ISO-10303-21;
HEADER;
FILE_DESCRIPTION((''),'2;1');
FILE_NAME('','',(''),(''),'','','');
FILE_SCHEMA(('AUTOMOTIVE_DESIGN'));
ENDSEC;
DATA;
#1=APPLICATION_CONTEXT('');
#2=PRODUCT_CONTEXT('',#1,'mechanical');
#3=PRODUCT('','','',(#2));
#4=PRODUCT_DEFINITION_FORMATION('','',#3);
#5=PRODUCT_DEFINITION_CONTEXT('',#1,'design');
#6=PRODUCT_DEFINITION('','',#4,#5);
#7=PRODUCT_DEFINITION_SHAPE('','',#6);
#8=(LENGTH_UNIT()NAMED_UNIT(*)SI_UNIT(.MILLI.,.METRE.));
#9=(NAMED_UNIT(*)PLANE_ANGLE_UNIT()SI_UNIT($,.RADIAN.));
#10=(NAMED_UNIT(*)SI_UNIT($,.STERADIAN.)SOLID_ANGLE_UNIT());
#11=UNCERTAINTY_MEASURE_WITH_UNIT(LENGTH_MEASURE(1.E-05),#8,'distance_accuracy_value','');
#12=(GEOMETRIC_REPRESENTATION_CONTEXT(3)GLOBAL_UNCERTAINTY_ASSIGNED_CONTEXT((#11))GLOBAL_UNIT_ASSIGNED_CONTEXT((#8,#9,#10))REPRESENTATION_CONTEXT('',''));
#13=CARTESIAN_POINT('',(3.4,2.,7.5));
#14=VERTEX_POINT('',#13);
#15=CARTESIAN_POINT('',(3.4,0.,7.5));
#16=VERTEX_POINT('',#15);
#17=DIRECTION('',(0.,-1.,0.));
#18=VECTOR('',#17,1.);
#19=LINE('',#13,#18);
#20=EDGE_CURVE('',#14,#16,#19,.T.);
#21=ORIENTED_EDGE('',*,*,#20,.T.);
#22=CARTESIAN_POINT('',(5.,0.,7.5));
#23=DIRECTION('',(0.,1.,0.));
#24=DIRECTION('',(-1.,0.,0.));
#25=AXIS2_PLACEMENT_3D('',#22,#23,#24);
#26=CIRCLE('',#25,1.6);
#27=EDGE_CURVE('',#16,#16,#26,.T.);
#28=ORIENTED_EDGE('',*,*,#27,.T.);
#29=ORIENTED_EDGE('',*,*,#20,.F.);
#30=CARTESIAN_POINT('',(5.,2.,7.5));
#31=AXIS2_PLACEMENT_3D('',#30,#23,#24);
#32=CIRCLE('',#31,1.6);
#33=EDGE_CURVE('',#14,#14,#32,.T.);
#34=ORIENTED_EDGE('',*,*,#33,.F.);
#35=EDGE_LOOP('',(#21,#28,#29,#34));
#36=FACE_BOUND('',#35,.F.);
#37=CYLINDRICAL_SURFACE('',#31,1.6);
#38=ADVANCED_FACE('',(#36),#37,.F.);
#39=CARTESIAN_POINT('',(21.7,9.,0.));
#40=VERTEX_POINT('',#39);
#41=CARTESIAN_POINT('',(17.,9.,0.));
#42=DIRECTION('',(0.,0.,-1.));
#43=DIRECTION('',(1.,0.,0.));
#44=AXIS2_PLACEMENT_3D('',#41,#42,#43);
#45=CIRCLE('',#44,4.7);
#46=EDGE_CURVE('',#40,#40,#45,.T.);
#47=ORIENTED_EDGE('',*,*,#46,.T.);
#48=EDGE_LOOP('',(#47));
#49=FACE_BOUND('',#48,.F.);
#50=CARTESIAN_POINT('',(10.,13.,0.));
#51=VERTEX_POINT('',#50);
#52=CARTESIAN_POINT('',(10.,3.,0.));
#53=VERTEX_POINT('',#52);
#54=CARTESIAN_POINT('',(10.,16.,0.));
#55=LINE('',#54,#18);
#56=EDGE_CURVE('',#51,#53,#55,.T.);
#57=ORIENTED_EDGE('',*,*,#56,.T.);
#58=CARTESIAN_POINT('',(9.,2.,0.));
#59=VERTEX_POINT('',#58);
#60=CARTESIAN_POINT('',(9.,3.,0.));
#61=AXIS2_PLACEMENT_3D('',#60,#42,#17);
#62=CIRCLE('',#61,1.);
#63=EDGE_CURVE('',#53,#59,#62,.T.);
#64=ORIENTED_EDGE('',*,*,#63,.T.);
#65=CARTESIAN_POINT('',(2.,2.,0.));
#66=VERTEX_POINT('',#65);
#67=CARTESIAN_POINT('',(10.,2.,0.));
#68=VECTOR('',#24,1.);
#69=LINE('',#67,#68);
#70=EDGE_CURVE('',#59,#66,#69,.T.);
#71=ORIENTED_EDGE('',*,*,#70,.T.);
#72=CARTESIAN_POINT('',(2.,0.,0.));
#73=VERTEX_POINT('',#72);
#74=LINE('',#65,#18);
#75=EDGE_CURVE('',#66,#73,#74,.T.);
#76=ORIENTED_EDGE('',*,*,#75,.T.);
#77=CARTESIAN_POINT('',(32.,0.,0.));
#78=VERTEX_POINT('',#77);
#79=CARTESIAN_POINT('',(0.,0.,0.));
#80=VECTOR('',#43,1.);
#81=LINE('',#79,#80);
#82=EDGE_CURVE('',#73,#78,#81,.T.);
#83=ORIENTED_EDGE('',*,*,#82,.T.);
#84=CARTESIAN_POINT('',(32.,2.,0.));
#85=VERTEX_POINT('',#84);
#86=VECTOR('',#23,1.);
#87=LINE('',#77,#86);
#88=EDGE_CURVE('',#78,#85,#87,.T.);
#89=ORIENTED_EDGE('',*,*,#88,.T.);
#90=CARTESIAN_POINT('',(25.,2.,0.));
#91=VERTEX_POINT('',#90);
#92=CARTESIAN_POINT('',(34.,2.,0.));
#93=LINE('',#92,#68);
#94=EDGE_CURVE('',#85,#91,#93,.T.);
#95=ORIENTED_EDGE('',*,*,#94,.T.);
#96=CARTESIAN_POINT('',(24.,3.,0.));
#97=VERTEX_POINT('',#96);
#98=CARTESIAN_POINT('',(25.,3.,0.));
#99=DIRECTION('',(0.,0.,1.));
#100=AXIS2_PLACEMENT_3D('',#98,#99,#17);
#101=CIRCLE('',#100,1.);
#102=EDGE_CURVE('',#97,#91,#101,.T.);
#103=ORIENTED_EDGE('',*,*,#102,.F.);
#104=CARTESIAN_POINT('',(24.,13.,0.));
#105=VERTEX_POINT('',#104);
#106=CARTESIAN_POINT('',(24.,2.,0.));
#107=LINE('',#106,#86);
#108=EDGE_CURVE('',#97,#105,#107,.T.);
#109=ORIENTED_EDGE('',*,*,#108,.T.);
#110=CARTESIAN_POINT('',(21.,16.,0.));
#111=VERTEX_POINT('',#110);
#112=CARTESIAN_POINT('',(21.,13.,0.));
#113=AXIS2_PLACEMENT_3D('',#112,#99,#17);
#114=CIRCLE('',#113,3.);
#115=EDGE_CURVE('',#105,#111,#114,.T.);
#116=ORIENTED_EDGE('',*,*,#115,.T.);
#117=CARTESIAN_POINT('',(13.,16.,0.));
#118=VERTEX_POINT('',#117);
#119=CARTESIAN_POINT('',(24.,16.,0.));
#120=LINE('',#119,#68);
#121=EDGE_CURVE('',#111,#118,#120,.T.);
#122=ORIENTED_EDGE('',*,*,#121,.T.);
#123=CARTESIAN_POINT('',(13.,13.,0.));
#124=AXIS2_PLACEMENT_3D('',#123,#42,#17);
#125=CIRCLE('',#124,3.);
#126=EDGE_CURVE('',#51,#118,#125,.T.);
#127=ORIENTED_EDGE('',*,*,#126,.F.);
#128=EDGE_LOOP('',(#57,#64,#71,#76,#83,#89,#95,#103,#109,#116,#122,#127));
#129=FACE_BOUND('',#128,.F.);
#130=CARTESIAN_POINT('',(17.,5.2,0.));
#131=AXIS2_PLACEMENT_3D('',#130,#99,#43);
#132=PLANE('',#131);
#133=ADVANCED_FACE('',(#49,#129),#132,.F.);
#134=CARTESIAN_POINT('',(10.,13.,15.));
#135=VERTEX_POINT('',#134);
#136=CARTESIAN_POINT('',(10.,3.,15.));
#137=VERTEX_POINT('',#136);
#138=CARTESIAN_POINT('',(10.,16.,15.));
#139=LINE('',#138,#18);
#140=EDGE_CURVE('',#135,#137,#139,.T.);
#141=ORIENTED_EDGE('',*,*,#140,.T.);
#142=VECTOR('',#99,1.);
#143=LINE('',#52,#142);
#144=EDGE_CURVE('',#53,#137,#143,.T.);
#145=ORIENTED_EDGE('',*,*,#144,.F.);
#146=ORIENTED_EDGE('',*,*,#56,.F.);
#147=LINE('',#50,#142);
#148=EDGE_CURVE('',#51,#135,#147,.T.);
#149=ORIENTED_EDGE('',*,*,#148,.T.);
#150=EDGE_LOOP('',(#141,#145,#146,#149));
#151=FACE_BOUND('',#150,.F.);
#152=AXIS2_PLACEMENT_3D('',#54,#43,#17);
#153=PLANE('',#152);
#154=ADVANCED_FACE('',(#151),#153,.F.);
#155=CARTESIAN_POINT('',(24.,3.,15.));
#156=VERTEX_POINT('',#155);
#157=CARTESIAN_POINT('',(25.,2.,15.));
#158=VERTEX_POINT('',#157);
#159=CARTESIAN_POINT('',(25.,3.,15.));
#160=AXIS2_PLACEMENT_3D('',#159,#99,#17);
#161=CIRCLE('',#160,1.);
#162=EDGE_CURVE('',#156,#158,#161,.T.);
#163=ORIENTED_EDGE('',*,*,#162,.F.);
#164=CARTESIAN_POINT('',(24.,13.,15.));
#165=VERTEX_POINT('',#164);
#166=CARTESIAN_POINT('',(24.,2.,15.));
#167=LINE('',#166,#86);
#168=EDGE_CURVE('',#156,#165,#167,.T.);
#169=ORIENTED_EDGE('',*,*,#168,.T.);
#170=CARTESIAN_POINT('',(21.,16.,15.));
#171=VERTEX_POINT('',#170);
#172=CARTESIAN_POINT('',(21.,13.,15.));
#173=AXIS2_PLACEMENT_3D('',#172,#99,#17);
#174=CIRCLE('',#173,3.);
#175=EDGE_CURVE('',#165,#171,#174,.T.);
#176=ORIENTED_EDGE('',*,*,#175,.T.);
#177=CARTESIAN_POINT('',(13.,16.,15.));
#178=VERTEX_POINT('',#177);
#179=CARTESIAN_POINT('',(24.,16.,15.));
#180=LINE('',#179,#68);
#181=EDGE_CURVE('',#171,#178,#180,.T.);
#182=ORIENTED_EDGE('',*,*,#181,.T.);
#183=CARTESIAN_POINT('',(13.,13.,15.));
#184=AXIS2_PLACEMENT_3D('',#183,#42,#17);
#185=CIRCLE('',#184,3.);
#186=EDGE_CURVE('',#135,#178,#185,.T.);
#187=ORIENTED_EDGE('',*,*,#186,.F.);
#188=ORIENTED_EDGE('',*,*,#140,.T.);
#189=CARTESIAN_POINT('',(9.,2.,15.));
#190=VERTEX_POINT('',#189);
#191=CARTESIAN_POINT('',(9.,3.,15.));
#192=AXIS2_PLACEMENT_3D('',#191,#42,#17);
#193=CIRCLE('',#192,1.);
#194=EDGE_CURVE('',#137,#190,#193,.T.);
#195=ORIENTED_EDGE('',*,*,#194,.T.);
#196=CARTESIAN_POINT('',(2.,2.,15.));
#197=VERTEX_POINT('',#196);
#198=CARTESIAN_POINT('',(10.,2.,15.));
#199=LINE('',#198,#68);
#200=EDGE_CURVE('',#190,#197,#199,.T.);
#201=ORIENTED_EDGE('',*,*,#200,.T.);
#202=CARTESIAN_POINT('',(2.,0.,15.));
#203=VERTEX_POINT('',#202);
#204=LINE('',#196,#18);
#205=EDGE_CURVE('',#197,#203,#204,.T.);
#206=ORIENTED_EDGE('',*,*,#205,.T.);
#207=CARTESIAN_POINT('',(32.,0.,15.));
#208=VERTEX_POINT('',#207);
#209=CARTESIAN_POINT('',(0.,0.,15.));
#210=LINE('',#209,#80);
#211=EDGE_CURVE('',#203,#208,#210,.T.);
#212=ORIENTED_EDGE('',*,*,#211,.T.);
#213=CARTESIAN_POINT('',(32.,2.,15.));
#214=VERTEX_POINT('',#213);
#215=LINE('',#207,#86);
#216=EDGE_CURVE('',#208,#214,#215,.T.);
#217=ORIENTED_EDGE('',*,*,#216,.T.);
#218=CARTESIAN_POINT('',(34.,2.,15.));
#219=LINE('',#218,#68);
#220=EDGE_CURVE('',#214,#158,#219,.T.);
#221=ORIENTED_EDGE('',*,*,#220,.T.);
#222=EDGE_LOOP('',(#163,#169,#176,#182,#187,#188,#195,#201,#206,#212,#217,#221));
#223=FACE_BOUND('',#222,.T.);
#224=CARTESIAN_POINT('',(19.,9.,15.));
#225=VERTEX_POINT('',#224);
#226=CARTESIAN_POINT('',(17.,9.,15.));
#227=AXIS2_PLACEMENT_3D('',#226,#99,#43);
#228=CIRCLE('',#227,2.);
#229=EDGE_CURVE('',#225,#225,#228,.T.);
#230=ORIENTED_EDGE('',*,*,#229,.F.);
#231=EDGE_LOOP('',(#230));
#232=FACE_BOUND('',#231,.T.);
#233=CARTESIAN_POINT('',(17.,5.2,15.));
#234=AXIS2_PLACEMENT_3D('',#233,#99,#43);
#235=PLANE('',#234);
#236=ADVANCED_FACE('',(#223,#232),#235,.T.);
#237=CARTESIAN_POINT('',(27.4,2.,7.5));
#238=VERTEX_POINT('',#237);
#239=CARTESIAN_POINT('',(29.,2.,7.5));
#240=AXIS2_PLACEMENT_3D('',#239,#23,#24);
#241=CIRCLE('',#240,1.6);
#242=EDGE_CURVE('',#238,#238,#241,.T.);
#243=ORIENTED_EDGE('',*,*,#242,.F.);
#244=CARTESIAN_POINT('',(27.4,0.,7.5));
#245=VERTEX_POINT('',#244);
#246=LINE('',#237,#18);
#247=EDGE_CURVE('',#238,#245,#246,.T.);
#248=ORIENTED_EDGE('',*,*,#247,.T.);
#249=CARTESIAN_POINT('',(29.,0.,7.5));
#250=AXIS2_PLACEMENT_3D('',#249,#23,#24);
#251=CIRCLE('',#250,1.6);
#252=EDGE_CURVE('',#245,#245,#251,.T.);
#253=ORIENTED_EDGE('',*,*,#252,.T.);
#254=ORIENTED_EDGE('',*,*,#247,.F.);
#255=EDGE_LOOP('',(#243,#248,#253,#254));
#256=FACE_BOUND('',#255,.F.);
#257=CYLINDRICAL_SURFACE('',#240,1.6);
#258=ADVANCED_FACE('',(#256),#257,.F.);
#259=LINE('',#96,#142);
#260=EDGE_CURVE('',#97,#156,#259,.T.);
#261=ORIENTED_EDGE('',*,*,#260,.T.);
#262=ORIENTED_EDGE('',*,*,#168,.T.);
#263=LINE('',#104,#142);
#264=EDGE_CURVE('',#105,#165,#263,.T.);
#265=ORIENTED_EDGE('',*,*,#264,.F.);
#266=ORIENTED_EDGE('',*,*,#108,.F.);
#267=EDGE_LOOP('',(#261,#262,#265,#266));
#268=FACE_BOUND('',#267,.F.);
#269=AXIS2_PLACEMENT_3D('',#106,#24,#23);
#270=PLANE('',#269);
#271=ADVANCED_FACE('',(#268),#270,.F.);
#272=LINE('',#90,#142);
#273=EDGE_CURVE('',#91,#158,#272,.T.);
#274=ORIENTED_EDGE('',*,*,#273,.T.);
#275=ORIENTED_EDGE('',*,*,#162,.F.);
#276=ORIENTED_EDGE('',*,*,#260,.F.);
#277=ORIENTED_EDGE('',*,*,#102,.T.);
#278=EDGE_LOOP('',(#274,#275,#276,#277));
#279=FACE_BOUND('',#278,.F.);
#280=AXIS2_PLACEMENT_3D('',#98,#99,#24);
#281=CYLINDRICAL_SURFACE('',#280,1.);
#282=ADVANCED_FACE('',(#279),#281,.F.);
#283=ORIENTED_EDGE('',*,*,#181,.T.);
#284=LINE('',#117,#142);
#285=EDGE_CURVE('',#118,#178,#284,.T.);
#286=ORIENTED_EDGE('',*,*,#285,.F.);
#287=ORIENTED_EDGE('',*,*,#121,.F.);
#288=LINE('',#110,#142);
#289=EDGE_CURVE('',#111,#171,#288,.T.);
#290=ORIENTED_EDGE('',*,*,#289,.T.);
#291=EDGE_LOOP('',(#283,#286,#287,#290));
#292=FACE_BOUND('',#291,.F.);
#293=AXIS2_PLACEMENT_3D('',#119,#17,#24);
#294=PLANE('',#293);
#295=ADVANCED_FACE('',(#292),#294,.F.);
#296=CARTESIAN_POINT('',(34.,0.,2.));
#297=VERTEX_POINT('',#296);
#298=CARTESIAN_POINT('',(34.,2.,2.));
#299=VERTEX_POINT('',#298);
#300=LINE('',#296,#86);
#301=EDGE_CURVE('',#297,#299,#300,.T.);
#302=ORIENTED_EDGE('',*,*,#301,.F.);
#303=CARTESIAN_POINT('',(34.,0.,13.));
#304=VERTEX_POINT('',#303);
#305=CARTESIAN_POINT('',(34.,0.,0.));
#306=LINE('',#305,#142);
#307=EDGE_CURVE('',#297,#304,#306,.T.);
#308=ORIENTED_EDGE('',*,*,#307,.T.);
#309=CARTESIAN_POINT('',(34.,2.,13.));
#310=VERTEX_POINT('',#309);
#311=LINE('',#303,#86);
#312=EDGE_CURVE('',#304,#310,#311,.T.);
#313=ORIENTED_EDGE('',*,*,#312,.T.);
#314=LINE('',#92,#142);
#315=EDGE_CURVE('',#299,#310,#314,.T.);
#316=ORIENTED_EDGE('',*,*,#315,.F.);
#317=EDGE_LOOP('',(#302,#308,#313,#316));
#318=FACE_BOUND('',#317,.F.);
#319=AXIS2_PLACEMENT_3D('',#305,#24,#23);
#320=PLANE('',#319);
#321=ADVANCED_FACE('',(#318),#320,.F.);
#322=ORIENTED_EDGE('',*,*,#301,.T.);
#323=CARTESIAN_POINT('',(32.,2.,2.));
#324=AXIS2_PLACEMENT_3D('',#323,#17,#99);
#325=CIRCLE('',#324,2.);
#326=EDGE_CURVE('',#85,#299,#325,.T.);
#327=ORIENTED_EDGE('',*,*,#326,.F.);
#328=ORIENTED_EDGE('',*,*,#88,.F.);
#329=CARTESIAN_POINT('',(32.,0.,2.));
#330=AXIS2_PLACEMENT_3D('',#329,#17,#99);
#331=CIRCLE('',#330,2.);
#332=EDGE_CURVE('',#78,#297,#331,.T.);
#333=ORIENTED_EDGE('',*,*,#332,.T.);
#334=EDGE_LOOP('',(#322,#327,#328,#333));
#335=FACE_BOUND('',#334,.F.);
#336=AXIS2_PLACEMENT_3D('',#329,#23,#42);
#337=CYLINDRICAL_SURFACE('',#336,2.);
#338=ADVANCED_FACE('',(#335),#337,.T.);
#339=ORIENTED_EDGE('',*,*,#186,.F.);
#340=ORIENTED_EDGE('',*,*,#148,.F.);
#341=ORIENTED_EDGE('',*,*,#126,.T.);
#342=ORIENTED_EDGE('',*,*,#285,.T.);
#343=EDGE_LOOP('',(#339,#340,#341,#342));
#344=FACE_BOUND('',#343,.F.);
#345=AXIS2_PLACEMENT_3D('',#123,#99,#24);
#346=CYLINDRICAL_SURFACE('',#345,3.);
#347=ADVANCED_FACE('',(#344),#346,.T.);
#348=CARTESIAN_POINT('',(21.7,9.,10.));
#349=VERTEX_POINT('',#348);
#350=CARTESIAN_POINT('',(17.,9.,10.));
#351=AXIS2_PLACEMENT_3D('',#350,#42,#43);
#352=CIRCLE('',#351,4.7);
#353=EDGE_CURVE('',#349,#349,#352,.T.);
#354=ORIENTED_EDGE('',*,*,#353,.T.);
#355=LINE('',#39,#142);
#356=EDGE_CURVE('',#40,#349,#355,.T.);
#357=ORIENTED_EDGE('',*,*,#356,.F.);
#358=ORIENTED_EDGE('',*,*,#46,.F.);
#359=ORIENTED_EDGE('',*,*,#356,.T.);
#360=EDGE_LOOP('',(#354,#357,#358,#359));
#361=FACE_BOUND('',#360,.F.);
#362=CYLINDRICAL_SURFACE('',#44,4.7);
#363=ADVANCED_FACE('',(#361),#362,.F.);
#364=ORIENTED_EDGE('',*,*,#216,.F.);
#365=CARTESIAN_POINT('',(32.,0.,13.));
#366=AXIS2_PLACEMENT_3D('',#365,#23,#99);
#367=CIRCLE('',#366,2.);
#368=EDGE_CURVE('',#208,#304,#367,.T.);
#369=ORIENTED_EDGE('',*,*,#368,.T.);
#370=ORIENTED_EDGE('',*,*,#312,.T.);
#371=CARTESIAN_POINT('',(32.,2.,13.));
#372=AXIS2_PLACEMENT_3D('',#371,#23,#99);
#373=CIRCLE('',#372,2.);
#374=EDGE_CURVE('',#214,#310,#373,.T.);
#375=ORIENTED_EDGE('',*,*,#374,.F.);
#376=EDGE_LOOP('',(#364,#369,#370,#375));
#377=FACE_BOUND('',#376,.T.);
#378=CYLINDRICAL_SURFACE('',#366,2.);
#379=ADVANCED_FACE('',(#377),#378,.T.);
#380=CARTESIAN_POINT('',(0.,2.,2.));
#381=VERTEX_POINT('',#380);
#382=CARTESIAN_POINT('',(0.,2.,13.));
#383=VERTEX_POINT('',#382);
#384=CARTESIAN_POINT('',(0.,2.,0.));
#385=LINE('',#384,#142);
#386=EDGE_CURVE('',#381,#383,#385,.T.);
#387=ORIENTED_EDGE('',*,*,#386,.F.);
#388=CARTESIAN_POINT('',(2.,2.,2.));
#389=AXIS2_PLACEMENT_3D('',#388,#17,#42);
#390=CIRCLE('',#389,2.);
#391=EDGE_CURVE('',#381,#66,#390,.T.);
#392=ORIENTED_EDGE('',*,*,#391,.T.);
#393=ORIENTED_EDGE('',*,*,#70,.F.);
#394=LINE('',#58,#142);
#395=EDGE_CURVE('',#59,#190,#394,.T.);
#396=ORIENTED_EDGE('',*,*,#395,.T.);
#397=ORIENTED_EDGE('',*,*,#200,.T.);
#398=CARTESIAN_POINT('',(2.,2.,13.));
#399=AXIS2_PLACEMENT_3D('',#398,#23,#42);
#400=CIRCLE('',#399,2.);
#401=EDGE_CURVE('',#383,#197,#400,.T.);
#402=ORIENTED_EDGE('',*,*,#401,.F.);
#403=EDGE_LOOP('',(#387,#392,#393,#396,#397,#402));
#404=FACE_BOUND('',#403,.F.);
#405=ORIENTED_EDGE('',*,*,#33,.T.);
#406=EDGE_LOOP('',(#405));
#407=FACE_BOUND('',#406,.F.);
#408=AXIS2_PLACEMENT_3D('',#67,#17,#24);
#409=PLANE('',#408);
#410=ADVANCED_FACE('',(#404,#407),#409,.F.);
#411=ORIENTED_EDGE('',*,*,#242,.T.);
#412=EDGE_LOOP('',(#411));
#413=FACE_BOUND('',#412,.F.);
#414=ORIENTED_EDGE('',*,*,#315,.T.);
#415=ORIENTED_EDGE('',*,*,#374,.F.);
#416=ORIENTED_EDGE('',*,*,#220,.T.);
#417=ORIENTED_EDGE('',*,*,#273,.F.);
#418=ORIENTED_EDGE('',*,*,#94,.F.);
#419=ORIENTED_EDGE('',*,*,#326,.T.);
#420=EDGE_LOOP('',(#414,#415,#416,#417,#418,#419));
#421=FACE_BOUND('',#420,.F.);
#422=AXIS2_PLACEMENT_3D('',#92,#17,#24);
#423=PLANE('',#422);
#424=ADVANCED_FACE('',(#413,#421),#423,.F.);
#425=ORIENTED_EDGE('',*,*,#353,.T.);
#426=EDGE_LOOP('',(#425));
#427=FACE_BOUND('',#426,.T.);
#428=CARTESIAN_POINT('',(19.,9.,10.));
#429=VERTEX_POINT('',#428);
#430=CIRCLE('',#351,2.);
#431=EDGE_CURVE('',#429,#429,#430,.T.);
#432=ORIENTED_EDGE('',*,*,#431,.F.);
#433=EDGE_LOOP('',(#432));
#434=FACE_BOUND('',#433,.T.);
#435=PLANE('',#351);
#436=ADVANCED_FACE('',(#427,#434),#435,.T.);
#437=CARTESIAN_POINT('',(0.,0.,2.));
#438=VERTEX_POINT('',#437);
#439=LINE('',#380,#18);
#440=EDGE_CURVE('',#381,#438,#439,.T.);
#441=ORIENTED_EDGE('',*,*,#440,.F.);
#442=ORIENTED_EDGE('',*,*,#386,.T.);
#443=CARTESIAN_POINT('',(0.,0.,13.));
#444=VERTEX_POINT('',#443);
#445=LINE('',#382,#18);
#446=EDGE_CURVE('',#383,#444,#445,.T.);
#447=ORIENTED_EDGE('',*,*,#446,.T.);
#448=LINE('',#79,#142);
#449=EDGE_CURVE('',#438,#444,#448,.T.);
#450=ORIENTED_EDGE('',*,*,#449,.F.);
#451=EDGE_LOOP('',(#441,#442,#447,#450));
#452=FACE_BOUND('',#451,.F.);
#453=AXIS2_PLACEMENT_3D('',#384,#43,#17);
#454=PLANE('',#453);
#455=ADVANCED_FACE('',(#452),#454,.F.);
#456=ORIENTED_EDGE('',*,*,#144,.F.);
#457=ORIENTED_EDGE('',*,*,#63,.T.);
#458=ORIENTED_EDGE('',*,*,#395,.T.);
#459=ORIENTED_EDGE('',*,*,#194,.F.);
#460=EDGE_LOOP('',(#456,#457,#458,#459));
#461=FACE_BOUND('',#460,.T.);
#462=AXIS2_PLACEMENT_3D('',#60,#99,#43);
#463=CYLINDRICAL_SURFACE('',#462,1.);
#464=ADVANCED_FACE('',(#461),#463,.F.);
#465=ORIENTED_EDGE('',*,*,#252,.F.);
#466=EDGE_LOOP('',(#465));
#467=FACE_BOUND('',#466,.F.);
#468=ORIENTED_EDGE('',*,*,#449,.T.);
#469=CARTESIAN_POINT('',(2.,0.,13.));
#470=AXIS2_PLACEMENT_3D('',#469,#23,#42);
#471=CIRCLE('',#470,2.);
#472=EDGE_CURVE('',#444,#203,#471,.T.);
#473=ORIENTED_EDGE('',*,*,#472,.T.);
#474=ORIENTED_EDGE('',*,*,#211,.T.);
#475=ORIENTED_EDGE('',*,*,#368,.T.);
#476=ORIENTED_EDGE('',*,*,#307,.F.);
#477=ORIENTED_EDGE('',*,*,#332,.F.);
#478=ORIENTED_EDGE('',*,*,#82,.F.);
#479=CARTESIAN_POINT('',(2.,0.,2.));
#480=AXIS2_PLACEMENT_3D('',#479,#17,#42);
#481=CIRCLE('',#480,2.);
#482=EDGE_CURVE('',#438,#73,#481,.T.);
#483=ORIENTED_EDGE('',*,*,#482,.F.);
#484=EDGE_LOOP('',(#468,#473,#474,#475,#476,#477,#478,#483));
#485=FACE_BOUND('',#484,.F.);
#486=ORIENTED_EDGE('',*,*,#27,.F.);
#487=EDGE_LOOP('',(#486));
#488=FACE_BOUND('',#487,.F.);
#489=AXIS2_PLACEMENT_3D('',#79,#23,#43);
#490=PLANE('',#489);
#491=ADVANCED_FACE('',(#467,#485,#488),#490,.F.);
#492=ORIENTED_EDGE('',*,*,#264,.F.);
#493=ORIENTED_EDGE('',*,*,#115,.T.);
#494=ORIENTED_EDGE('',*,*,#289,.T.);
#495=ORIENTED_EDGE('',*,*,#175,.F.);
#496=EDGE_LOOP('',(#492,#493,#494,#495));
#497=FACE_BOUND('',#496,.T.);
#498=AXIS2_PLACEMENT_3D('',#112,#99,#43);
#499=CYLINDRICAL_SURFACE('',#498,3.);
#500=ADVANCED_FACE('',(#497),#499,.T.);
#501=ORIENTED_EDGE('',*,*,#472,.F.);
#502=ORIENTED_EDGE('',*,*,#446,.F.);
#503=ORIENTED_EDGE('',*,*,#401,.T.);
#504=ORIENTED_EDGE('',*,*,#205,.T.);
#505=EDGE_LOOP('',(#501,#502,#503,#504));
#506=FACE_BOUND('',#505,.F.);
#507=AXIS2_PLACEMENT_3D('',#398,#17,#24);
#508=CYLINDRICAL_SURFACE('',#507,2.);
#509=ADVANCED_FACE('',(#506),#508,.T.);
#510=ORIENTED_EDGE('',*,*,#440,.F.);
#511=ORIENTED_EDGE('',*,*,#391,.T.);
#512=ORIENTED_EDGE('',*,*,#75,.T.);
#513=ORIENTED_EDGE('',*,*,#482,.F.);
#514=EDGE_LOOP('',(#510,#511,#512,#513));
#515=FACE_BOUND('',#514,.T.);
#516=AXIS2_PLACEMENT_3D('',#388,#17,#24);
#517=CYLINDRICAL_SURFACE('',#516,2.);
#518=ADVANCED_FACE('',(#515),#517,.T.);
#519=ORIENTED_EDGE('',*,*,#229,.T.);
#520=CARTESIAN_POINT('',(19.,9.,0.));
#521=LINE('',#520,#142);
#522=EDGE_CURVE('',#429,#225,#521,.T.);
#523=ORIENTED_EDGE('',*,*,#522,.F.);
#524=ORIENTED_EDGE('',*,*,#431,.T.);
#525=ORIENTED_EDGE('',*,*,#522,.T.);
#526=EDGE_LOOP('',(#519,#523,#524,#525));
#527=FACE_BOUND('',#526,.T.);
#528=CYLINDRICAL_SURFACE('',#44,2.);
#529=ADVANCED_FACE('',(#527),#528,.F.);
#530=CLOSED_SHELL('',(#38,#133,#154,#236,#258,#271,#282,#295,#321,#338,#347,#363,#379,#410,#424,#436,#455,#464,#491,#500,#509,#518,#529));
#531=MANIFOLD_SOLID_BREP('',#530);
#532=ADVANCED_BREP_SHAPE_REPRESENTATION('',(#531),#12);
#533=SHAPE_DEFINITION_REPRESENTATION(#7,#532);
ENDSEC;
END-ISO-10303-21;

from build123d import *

# Parameters (mm, degrees)
SKETCH_R        = 2
PAD_DEPTH       = 15
SKETCH001_R     = 4.7
POCKET_DEPTH    = 10
SKETCH002_R     = 1.6
POCKET001_DEPTH = 2.001
FILLET_R        = 2
FILLET001_R     = 3
FILLET002_R     = 1


with BuildPart() as part:
    # Sketch → Pad (new body)
    with BuildSketch(Plane.XY):
        Polygon((0, 0), (34, 0), (34, 2), (24, 2), (24, 16), (10, 16), (10, 2), (0, 2), align=None)
        with Locations((17, 9)):
            Circle(SKETCH_R, mode=Mode.SUBTRACT)
    extrude(amount=PAD_DEPTH)

    # Sketch001 (on Face10 of Pad) → Pocket (cut)
    with BuildSketch(Plane(origin=(0, 0, 0), x_dir=(1, 0, 0), z_dir=(0, 0, -1))):
        with Locations((17, -9)):
            Circle(SKETCH001_R)
    extrude(amount=-POCKET_DEPTH, mode=Mode.SUBTRACT)

    # Sketch002 (on Face7 of Pocket) → Pocket001 (cut, through all)
    with BuildSketch(Plane(origin=(0, 2, 0), x_dir=(-1, 0, 0), z_dir=(0, 1, 0))):
        with Locations((-29, 7.5)):
            Circle(SKETCH002_R)
        with Locations((-5, 7.5)):
            Circle(SKETCH002_R)
    extrude(amount=-POCKET001_DEPTH, mode=Mode.SUBTRACT)

    # Fillet
    fillet_edges = [part.edges().sort_by_distance(p)[0] for p in [
        (34, 1, 15),
        (34, 1, 0),
        (0, 1, 15),
        (0, 1, 0),
    ]]
    fillet(fillet_edges, radius=FILLET_R)

    # Fillet001
    fillet001_edges = [part.edges().sort_by_distance(p)[0] for p in [
        (24, 16, 7.5),
        (10, 16, 7.5),
    ]]
    fillet(fillet001_edges, radius=FILLET001_R)

    # Fillet002
    fillet002_edges = [part.edges().sort_by_distance(p)[0] for p in [
        (24, 2, 7.5),
        (10, 2, 7.5),
    ]]
    fillet(fillet002_edges, radius=FILLET002_R)


solid = part.part
